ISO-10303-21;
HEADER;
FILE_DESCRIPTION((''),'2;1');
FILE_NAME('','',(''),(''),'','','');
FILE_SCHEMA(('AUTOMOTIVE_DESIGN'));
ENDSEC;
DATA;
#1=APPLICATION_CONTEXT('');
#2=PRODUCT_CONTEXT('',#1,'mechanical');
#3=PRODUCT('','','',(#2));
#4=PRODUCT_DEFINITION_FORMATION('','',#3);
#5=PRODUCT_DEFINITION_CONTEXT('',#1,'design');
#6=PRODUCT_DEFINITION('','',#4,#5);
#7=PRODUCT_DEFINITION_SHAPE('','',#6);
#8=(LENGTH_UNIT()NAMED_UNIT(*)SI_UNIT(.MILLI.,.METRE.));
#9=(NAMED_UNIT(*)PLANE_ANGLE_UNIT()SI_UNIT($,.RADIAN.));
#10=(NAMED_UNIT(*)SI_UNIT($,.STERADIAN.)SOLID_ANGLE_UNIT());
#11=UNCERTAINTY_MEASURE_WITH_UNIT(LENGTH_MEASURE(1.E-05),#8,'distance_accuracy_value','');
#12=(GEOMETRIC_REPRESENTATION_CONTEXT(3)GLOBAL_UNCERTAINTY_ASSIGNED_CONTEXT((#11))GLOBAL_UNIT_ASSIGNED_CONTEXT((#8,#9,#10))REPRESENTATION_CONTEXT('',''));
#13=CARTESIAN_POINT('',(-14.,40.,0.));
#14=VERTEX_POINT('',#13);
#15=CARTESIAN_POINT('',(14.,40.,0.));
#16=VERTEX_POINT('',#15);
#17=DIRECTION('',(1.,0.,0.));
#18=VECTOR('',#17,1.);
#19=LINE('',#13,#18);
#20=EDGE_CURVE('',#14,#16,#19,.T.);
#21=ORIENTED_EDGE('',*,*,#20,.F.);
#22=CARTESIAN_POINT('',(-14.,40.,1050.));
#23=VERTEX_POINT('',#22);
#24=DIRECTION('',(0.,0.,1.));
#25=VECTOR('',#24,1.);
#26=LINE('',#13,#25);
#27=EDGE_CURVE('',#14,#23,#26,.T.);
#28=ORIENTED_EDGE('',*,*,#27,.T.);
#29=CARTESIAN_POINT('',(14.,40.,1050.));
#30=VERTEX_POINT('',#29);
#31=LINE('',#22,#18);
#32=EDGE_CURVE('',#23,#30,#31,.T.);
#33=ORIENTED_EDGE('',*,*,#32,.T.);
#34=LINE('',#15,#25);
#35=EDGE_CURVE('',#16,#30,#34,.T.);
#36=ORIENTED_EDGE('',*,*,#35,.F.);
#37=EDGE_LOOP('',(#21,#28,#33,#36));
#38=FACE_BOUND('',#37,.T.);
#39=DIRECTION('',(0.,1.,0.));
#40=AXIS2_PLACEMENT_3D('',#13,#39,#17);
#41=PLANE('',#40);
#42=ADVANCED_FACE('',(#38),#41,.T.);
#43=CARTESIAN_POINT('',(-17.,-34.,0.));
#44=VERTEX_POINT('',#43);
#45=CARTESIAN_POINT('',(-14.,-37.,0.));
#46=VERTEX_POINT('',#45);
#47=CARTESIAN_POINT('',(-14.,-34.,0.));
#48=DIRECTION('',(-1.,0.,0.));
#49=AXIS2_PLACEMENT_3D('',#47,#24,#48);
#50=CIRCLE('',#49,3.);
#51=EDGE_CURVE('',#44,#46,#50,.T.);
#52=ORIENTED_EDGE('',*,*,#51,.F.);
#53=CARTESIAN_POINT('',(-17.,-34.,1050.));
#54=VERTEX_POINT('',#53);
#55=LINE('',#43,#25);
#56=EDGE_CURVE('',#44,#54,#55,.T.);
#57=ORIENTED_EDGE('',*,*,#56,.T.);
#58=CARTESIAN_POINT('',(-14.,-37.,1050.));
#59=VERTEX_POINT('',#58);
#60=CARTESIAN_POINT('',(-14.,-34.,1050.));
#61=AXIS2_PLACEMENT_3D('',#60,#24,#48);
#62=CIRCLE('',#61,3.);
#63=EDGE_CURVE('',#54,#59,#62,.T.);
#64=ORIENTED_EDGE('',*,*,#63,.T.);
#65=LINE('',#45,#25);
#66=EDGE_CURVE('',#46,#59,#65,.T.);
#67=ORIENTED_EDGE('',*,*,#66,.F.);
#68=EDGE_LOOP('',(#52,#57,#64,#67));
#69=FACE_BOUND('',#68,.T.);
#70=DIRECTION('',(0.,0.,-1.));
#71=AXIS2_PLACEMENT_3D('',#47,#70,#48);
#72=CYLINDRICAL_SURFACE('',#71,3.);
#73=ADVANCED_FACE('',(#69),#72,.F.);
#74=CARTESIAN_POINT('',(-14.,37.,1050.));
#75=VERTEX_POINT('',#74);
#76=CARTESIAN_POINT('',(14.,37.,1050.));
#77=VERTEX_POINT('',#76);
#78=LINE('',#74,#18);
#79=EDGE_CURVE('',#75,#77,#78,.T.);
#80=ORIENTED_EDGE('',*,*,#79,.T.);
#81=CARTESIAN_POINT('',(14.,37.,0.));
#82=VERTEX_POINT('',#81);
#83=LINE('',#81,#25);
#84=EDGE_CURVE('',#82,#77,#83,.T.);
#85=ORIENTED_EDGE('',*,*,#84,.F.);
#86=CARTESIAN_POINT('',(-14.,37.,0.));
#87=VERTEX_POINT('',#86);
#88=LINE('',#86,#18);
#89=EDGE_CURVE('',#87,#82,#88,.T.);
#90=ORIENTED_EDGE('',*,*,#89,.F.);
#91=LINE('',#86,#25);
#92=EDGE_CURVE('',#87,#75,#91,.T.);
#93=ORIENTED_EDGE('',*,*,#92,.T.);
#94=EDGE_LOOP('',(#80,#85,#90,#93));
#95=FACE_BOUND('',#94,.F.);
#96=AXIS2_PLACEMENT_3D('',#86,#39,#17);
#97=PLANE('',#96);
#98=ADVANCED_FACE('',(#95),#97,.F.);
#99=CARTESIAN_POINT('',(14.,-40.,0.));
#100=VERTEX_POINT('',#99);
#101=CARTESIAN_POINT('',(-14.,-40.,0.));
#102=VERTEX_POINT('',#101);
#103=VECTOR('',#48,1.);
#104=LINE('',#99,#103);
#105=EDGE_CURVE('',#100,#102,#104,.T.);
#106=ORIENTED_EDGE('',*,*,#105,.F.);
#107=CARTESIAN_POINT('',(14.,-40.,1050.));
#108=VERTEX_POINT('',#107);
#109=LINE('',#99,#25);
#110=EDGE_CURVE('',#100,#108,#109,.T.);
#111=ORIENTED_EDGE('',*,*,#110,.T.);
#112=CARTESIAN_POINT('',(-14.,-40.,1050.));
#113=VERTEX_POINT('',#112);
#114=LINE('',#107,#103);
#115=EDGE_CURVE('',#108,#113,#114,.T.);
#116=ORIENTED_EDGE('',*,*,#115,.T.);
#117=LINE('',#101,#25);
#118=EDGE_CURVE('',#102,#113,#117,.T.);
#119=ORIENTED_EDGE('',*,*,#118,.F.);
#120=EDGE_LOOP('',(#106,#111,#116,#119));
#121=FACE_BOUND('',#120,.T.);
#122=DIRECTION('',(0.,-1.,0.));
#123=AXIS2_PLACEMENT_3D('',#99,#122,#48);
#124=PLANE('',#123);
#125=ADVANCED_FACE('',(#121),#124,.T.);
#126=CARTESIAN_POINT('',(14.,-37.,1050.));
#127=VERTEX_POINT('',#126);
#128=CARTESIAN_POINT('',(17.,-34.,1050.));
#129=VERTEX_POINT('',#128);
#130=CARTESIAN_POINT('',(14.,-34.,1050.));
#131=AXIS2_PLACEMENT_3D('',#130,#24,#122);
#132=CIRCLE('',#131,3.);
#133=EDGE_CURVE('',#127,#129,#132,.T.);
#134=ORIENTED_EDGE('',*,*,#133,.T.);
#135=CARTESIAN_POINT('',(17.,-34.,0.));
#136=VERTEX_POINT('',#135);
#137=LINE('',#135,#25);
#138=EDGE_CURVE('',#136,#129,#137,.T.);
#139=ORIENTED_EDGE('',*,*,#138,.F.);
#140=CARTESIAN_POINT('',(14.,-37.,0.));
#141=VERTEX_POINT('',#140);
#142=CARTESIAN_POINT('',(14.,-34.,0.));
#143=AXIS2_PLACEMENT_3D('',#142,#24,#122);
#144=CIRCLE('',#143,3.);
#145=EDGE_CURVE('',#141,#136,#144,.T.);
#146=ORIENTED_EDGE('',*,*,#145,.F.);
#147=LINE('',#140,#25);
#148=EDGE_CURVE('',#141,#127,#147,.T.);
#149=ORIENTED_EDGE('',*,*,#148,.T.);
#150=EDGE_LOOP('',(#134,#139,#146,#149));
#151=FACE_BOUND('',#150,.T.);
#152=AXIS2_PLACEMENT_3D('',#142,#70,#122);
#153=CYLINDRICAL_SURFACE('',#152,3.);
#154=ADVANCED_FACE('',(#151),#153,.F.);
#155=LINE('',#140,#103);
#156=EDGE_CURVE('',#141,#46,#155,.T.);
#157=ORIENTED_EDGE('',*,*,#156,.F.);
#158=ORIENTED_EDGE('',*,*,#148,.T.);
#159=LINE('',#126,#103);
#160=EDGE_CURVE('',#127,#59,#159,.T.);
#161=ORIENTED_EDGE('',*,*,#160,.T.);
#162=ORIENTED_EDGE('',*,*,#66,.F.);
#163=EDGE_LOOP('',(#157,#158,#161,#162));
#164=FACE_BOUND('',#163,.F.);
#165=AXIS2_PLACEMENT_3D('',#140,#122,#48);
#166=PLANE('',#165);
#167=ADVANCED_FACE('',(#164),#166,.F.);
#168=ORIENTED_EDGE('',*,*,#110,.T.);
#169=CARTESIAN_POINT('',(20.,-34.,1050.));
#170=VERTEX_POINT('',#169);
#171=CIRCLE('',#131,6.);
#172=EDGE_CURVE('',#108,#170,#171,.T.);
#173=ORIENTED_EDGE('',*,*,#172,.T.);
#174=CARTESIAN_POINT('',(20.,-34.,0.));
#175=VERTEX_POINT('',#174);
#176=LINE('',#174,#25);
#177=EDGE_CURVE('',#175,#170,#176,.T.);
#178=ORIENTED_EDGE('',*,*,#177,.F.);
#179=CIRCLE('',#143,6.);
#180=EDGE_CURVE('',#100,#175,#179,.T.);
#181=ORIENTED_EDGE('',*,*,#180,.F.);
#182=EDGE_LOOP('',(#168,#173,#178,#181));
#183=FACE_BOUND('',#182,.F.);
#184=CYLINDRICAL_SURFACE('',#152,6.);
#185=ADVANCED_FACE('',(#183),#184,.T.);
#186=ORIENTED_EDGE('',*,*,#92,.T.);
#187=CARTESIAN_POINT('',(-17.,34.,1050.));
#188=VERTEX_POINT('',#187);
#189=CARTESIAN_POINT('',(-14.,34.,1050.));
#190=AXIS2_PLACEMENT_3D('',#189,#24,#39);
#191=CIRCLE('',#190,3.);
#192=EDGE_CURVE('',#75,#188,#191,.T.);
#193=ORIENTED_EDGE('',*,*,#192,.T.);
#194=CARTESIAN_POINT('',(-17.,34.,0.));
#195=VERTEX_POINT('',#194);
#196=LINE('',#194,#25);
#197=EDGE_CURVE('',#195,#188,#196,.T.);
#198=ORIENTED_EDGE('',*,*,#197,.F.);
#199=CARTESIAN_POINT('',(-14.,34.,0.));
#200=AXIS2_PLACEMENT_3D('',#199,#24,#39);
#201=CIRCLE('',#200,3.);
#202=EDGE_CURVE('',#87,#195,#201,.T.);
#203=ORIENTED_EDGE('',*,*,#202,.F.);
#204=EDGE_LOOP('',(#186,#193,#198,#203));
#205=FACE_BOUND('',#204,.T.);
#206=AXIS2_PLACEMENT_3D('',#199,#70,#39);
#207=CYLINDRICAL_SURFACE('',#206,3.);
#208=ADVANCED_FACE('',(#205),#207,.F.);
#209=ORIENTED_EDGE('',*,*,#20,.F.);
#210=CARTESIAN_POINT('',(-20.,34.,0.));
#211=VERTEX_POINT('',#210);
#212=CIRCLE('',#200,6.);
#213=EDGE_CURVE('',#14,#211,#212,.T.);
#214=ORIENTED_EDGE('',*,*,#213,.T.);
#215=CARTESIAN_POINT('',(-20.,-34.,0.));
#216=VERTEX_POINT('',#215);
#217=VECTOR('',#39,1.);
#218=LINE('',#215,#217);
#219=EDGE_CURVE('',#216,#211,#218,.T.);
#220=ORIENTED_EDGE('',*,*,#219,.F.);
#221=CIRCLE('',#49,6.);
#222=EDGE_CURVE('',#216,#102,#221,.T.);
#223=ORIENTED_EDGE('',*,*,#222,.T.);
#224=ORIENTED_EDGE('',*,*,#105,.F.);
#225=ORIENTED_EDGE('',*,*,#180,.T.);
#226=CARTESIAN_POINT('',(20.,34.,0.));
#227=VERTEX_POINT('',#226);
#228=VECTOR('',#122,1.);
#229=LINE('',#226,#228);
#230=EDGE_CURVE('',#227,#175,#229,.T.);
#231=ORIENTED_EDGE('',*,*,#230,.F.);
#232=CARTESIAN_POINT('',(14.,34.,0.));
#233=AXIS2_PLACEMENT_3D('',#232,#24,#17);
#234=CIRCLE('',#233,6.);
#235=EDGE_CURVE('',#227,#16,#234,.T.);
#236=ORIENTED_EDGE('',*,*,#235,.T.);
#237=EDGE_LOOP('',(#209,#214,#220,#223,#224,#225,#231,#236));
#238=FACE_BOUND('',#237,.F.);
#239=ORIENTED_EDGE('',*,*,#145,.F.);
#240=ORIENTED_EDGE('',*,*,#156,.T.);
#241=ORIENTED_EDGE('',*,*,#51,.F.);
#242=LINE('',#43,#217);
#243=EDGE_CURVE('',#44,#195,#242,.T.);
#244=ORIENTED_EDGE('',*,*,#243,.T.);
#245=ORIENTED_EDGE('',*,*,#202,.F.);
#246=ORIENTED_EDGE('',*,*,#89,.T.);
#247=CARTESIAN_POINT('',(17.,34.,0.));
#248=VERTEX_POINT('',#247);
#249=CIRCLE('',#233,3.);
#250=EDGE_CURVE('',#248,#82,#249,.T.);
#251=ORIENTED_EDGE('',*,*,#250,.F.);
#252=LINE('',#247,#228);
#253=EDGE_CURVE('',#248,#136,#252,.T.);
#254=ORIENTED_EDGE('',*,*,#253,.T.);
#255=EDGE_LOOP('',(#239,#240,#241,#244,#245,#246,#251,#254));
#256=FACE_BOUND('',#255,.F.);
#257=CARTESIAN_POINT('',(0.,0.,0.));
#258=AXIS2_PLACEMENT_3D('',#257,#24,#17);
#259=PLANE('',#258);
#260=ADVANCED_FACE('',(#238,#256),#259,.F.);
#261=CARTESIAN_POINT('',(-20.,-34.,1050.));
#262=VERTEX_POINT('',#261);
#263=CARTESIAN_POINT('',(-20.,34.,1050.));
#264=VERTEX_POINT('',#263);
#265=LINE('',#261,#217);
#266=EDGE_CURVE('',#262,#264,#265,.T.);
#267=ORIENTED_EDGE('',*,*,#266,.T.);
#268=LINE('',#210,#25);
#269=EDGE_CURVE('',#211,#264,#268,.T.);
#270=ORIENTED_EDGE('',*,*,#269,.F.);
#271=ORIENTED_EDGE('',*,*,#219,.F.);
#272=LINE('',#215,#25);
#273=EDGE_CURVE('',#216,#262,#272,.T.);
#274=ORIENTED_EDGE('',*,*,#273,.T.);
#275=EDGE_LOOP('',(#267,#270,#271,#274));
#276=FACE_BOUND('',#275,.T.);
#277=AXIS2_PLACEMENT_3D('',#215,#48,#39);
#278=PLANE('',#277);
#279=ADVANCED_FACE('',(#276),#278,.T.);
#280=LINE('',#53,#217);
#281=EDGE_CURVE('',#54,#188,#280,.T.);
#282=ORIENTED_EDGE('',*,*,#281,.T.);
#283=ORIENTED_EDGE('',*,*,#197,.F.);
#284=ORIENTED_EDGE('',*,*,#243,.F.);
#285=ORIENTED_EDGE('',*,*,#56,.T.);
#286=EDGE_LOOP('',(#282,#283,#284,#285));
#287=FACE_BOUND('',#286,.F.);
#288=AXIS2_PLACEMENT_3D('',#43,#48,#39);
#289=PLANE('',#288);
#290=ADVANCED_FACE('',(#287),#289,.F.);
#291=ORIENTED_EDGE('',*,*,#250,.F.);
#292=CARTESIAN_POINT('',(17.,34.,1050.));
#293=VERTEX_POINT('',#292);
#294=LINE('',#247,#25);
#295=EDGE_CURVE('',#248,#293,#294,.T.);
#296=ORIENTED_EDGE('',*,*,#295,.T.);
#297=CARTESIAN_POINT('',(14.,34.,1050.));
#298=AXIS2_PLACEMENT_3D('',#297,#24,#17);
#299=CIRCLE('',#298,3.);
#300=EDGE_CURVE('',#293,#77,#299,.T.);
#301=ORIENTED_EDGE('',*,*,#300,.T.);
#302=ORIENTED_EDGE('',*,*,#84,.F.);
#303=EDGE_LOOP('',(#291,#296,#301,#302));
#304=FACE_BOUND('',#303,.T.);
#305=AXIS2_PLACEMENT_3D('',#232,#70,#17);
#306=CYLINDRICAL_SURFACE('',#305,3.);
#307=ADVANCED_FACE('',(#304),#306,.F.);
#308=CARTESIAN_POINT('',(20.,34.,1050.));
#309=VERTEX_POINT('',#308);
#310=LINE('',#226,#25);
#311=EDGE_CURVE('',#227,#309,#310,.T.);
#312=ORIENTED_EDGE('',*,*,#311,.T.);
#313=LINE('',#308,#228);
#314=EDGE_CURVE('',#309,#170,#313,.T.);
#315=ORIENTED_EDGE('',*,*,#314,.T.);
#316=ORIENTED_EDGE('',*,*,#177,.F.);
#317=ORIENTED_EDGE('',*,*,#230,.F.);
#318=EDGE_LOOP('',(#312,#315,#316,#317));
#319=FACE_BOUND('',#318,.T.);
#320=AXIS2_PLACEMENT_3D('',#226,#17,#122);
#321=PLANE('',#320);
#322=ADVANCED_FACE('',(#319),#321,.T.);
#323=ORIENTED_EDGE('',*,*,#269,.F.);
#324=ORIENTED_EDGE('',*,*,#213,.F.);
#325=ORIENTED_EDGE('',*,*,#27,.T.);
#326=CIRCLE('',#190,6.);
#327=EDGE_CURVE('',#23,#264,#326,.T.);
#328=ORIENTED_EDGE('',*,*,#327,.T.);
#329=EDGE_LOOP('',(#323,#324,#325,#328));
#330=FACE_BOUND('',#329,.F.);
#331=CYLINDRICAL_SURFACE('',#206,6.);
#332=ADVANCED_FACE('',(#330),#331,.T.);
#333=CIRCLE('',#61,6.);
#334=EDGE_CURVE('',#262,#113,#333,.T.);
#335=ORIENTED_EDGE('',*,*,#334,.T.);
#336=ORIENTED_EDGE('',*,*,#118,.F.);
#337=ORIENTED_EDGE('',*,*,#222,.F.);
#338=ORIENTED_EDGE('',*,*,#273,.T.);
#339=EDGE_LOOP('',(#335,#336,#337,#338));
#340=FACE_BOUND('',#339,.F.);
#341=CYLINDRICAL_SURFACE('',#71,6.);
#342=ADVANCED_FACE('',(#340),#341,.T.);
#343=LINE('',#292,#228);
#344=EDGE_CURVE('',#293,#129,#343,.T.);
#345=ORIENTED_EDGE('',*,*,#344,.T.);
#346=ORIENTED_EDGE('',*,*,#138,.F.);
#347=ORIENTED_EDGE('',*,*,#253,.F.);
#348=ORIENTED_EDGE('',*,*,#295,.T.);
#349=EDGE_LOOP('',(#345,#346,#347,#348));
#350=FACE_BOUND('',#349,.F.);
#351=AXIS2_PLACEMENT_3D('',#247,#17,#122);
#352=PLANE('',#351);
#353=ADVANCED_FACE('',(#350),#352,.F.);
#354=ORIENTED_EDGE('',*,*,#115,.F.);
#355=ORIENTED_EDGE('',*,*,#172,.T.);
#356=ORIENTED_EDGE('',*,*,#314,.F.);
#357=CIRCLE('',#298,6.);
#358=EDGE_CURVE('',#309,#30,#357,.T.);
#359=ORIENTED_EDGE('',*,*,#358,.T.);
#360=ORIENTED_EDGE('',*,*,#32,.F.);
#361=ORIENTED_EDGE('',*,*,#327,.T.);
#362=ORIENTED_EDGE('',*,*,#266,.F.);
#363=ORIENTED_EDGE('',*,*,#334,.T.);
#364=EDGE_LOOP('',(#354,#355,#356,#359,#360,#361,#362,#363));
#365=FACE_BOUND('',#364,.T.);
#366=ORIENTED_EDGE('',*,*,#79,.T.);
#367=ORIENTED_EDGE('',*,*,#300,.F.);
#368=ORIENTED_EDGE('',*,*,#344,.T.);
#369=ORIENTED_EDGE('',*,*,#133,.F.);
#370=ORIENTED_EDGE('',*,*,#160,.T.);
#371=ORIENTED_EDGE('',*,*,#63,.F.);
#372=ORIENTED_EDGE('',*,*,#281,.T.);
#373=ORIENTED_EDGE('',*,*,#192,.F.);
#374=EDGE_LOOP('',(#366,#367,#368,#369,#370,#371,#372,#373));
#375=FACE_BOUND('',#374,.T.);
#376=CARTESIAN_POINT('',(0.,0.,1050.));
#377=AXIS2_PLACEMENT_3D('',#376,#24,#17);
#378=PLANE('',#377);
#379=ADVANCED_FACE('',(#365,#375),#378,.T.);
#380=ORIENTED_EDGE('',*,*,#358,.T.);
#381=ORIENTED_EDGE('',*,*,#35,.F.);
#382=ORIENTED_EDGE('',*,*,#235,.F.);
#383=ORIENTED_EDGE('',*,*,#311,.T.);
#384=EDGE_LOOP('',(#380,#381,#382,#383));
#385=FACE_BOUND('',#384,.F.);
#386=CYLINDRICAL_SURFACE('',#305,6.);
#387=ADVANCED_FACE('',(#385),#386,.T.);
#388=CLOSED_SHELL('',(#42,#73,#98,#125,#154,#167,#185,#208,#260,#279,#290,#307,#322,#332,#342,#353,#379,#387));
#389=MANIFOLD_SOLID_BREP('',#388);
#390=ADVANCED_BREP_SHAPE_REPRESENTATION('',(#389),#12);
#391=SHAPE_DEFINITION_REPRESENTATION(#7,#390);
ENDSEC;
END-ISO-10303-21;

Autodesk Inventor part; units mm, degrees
ref_plane "YZ Plane" through (0, 0, 0) normal (1, 0, 0) x (0, 1, 0)
ref_plane "Start Plane" through (0, 0, 0) normal (0, 0, 1) x (1, 0, 0)
ref_plane "End Plane" through (0, 0, 1050) normal (0, 0, 1) x (1, 0, 0)
sketch "Sketch" plane through (0, 0, 0) normal (0, 0, 1) x (1, 0, 0)
  line L0 (-20, -34) -> (-20, 34)
  line L1 (-14, 40) -> (14, 40)
  line L2 (20, 34) -> (20, -34)
  line L3 (14, -40) -> (-14, -40)
  arc A0 (-20, -34) -> (-14, -40) centre (-14, -34) ccw
  arc A1 (20, 34) -> (14, 40) centre (14, 34) ccw
  arc A2 (-14, 40) -> (-20, 34) centre (-14, 34) ccw
  arc A3 (14, -40) -> (20, -34) centre (14, -34) ccw
  arc A4 (-14, 37) -> (-17, 34) centre (-14, 34) ccw
  line L4 (-14, 37) -> (14, 37)
  arc A5 (17, 34) -> (14, 37) centre (14, 34) ccw
  line L5 (17, 34) -> (17, -34)
  arc A6 (14, -37) -> (17, -34) centre (14, -34) ccw
  line L6 (14, -37) -> (-14, -37)
  arc A7 (-17, -34) -> (-14, -37) centre (-14, -34) ccw
  line L7 (-17, -34) -> (-17, 34)
  line L8 (0, 57.7397) -> (0, -57.7397) construction
  line L9 (-29.7397, 0) -> (29.7397, 0) construction
  dimension "d7" = 6
  dimension "d9" = 40
  dimension "d11" = 80
  dimension "d12" = 3
  dimension "d15" = 20
  dimension "d16" = 40
extrude "Body" add sketch "Sketch" along normal up to surface (1050 mm away) from surface at 0
sketch "Sketch3" plane through (0, 0, 0) normal (0, 0, 1) x (1, 0, 0)
  line L0 (0, 0) -> (10, 0)
ref_plane "Work Plane3" through (0, 0, 0) normal (0, -1, 0) x (1, 0, 0)
sketch "Sketch4" plane through (0, 0, 0) normal (0, -1, 0) x (1, 0, 0)
  line L0 (-2, 0) -> (12, 0) projected
  line L1 (-2, 1050) -> (12, 1050) projected
  dimension "d18" = 1050
equation "\"d7\" = G_IR"
equation "\"d9\" = G_W"
equation "\"d11\" = G_H"
equation "\"d12\" = G_T"
equation "\"d15\" = 0.5 * d9"
equation "\"d16\" = 0.5 * d11"
equation "\"d3\" = G_L"
equation "\"G_W\" = 40"
equation "\"G_H\" = 80"
equation "\"G_T\" = 3"
equation "\"G_IR\" = 6"
equation "\"G_L\" = d18"
equation "\"G_OFFSET_START\" = 0"
equation "\"G_OFFSET_END\" = 0"
properties part number "ISO 10799-2 - 80x40x3 - 1050" material "Steel, Mild"
